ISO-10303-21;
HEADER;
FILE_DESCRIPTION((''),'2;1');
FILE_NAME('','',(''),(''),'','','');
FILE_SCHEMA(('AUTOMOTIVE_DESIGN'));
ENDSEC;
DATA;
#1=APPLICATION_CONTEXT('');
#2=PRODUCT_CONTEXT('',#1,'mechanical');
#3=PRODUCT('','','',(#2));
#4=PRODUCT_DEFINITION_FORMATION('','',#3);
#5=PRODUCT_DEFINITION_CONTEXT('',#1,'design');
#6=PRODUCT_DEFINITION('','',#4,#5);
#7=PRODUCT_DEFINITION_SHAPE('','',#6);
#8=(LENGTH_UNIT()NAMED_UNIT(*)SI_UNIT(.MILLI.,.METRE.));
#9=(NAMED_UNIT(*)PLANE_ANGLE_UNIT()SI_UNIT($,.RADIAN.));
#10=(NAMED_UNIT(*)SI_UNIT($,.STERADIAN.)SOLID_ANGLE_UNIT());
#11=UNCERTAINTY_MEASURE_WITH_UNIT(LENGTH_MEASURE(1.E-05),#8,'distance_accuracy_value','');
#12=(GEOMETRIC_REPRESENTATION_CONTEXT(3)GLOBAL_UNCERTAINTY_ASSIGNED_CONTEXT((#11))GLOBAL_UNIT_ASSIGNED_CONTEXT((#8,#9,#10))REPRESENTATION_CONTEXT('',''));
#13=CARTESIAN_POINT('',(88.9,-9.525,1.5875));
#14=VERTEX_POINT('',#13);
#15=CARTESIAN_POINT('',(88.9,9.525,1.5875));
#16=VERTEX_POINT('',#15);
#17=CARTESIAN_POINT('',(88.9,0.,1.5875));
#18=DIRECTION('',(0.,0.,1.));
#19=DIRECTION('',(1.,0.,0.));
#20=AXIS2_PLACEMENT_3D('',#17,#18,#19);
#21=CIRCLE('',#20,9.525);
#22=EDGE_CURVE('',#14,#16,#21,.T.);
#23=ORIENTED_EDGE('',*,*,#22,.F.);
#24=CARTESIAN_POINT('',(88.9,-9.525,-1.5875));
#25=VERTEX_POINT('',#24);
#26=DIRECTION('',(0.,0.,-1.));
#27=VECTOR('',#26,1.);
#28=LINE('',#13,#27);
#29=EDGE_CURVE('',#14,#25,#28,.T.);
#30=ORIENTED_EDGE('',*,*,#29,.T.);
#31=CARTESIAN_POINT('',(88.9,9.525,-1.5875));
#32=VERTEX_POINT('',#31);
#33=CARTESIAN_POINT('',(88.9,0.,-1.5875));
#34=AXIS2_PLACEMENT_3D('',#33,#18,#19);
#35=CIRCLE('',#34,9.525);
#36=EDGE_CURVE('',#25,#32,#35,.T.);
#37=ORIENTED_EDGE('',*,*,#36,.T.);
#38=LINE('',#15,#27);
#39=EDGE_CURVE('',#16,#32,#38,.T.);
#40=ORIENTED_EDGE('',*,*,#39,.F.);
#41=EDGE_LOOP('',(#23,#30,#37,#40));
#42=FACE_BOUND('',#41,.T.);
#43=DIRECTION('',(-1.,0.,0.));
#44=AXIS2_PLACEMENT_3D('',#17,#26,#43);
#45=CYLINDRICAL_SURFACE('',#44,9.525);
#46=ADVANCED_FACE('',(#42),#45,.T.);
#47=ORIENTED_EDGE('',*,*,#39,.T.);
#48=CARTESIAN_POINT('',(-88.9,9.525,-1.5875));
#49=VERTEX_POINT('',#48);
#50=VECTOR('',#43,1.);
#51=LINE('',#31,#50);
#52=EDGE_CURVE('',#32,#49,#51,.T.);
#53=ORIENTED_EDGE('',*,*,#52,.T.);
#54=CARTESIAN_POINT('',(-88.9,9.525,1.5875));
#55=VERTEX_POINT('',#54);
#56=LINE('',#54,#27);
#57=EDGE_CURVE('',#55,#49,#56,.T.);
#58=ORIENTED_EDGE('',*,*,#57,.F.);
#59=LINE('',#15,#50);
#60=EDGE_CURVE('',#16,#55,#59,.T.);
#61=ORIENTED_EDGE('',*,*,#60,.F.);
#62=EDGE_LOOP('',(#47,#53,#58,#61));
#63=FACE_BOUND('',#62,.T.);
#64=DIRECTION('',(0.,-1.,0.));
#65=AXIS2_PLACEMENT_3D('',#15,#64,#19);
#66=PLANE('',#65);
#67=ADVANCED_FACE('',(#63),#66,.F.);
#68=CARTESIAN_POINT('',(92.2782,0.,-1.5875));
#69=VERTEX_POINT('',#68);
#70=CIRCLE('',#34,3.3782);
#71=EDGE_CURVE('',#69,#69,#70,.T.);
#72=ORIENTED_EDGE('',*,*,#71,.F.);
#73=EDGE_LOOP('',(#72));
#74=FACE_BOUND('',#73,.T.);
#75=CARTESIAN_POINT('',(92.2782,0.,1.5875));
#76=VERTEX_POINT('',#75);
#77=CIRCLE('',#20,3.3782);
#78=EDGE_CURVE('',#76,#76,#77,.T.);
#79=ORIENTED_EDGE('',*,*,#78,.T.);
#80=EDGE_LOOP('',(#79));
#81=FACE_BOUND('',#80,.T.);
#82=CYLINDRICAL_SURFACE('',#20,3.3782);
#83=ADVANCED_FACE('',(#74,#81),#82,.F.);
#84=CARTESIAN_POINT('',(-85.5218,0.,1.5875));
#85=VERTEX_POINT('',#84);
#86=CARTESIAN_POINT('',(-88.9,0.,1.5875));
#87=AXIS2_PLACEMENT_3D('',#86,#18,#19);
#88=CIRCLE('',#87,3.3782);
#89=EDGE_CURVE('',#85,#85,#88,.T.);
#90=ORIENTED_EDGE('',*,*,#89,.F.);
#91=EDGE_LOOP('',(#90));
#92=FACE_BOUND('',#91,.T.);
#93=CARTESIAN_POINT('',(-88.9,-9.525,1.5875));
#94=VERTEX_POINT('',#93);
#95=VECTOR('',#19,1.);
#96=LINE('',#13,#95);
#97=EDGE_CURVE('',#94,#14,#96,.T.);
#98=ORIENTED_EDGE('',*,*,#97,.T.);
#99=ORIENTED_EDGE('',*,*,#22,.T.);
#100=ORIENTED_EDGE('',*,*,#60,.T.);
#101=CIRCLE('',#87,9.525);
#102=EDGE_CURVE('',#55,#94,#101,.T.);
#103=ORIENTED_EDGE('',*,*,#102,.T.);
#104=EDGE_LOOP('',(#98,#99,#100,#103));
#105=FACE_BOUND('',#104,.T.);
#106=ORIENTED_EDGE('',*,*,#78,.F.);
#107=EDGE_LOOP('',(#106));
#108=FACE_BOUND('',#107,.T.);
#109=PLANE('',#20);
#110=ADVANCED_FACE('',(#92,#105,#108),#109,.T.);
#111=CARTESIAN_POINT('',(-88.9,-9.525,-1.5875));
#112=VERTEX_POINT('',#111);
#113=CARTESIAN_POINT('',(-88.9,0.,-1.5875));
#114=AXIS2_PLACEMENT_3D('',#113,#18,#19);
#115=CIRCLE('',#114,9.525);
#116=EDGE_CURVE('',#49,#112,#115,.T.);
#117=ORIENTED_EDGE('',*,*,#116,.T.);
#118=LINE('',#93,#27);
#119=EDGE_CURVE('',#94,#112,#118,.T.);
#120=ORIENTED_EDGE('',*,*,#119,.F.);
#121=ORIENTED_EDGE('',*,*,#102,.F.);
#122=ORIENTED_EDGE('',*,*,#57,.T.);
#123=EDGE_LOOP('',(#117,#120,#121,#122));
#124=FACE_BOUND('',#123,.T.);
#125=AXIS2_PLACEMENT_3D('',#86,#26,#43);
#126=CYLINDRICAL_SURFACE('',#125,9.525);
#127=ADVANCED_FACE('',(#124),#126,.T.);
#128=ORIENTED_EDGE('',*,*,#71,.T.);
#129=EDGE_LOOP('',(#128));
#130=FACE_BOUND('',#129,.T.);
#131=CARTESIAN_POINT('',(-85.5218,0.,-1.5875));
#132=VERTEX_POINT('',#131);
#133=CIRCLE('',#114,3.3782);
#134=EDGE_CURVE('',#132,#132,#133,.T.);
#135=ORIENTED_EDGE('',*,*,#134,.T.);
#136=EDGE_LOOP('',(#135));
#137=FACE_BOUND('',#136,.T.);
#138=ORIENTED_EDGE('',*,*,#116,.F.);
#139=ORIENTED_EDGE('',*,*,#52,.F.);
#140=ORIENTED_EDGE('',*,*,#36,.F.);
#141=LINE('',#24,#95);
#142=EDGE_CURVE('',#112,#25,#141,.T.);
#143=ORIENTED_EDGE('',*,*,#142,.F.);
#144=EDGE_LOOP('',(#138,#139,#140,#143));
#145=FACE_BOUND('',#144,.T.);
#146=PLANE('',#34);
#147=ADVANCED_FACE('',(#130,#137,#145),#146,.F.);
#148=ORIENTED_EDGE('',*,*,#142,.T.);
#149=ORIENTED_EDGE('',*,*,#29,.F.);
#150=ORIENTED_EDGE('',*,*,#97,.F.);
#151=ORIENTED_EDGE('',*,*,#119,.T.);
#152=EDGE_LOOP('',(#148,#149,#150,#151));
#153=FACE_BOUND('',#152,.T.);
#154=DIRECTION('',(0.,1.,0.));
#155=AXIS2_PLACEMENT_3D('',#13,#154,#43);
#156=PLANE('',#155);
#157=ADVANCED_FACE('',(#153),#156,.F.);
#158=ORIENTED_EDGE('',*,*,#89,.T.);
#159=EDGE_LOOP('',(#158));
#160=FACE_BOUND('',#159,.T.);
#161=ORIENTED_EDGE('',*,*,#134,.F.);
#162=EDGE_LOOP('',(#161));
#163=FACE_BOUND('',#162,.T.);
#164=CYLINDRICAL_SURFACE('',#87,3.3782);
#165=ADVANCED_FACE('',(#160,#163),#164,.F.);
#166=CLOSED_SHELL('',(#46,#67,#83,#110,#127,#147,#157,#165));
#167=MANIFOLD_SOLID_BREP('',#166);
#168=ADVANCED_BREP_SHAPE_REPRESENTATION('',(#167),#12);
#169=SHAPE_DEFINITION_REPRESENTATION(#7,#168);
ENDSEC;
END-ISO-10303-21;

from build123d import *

# Parameters (mm, degrees)
BOSS_EXTRUDE1_DEPTH     = 1.5875
F_1_4_CLEARANCE_HOLE1_D = 6.7564


with BuildPart() as part:
    # Sketch2 → Boss-Extrude1 (new, symmetric)
    with BuildSketch(Plane.XY):
        with BuildLine():
            Line((88.9, -9.525), (-88.9, -9.525))
            ThreePointArc((-88.9, -9.525), (-98.425, 0), (-88.9, 9.525))
            Line((-88.9, 9.525), (88.9, 9.525))
            ThreePointArc((88.9, 9.525), (98.425, 0), (88.9, -9.525))
        make_face()
    extrude(amount=BOSS_EXTRUDE1_DEPTH, both=True)

    # 1/4 Clearance Hole1 (through all)
    with Locations(Plane.XY.offset(1.5875)):
        with Locations((-88.9, 0), (88.9, 0)):
            Hole(F_1_4_CLEARANCE_HOLE1_D / 2)


solid = part.part
